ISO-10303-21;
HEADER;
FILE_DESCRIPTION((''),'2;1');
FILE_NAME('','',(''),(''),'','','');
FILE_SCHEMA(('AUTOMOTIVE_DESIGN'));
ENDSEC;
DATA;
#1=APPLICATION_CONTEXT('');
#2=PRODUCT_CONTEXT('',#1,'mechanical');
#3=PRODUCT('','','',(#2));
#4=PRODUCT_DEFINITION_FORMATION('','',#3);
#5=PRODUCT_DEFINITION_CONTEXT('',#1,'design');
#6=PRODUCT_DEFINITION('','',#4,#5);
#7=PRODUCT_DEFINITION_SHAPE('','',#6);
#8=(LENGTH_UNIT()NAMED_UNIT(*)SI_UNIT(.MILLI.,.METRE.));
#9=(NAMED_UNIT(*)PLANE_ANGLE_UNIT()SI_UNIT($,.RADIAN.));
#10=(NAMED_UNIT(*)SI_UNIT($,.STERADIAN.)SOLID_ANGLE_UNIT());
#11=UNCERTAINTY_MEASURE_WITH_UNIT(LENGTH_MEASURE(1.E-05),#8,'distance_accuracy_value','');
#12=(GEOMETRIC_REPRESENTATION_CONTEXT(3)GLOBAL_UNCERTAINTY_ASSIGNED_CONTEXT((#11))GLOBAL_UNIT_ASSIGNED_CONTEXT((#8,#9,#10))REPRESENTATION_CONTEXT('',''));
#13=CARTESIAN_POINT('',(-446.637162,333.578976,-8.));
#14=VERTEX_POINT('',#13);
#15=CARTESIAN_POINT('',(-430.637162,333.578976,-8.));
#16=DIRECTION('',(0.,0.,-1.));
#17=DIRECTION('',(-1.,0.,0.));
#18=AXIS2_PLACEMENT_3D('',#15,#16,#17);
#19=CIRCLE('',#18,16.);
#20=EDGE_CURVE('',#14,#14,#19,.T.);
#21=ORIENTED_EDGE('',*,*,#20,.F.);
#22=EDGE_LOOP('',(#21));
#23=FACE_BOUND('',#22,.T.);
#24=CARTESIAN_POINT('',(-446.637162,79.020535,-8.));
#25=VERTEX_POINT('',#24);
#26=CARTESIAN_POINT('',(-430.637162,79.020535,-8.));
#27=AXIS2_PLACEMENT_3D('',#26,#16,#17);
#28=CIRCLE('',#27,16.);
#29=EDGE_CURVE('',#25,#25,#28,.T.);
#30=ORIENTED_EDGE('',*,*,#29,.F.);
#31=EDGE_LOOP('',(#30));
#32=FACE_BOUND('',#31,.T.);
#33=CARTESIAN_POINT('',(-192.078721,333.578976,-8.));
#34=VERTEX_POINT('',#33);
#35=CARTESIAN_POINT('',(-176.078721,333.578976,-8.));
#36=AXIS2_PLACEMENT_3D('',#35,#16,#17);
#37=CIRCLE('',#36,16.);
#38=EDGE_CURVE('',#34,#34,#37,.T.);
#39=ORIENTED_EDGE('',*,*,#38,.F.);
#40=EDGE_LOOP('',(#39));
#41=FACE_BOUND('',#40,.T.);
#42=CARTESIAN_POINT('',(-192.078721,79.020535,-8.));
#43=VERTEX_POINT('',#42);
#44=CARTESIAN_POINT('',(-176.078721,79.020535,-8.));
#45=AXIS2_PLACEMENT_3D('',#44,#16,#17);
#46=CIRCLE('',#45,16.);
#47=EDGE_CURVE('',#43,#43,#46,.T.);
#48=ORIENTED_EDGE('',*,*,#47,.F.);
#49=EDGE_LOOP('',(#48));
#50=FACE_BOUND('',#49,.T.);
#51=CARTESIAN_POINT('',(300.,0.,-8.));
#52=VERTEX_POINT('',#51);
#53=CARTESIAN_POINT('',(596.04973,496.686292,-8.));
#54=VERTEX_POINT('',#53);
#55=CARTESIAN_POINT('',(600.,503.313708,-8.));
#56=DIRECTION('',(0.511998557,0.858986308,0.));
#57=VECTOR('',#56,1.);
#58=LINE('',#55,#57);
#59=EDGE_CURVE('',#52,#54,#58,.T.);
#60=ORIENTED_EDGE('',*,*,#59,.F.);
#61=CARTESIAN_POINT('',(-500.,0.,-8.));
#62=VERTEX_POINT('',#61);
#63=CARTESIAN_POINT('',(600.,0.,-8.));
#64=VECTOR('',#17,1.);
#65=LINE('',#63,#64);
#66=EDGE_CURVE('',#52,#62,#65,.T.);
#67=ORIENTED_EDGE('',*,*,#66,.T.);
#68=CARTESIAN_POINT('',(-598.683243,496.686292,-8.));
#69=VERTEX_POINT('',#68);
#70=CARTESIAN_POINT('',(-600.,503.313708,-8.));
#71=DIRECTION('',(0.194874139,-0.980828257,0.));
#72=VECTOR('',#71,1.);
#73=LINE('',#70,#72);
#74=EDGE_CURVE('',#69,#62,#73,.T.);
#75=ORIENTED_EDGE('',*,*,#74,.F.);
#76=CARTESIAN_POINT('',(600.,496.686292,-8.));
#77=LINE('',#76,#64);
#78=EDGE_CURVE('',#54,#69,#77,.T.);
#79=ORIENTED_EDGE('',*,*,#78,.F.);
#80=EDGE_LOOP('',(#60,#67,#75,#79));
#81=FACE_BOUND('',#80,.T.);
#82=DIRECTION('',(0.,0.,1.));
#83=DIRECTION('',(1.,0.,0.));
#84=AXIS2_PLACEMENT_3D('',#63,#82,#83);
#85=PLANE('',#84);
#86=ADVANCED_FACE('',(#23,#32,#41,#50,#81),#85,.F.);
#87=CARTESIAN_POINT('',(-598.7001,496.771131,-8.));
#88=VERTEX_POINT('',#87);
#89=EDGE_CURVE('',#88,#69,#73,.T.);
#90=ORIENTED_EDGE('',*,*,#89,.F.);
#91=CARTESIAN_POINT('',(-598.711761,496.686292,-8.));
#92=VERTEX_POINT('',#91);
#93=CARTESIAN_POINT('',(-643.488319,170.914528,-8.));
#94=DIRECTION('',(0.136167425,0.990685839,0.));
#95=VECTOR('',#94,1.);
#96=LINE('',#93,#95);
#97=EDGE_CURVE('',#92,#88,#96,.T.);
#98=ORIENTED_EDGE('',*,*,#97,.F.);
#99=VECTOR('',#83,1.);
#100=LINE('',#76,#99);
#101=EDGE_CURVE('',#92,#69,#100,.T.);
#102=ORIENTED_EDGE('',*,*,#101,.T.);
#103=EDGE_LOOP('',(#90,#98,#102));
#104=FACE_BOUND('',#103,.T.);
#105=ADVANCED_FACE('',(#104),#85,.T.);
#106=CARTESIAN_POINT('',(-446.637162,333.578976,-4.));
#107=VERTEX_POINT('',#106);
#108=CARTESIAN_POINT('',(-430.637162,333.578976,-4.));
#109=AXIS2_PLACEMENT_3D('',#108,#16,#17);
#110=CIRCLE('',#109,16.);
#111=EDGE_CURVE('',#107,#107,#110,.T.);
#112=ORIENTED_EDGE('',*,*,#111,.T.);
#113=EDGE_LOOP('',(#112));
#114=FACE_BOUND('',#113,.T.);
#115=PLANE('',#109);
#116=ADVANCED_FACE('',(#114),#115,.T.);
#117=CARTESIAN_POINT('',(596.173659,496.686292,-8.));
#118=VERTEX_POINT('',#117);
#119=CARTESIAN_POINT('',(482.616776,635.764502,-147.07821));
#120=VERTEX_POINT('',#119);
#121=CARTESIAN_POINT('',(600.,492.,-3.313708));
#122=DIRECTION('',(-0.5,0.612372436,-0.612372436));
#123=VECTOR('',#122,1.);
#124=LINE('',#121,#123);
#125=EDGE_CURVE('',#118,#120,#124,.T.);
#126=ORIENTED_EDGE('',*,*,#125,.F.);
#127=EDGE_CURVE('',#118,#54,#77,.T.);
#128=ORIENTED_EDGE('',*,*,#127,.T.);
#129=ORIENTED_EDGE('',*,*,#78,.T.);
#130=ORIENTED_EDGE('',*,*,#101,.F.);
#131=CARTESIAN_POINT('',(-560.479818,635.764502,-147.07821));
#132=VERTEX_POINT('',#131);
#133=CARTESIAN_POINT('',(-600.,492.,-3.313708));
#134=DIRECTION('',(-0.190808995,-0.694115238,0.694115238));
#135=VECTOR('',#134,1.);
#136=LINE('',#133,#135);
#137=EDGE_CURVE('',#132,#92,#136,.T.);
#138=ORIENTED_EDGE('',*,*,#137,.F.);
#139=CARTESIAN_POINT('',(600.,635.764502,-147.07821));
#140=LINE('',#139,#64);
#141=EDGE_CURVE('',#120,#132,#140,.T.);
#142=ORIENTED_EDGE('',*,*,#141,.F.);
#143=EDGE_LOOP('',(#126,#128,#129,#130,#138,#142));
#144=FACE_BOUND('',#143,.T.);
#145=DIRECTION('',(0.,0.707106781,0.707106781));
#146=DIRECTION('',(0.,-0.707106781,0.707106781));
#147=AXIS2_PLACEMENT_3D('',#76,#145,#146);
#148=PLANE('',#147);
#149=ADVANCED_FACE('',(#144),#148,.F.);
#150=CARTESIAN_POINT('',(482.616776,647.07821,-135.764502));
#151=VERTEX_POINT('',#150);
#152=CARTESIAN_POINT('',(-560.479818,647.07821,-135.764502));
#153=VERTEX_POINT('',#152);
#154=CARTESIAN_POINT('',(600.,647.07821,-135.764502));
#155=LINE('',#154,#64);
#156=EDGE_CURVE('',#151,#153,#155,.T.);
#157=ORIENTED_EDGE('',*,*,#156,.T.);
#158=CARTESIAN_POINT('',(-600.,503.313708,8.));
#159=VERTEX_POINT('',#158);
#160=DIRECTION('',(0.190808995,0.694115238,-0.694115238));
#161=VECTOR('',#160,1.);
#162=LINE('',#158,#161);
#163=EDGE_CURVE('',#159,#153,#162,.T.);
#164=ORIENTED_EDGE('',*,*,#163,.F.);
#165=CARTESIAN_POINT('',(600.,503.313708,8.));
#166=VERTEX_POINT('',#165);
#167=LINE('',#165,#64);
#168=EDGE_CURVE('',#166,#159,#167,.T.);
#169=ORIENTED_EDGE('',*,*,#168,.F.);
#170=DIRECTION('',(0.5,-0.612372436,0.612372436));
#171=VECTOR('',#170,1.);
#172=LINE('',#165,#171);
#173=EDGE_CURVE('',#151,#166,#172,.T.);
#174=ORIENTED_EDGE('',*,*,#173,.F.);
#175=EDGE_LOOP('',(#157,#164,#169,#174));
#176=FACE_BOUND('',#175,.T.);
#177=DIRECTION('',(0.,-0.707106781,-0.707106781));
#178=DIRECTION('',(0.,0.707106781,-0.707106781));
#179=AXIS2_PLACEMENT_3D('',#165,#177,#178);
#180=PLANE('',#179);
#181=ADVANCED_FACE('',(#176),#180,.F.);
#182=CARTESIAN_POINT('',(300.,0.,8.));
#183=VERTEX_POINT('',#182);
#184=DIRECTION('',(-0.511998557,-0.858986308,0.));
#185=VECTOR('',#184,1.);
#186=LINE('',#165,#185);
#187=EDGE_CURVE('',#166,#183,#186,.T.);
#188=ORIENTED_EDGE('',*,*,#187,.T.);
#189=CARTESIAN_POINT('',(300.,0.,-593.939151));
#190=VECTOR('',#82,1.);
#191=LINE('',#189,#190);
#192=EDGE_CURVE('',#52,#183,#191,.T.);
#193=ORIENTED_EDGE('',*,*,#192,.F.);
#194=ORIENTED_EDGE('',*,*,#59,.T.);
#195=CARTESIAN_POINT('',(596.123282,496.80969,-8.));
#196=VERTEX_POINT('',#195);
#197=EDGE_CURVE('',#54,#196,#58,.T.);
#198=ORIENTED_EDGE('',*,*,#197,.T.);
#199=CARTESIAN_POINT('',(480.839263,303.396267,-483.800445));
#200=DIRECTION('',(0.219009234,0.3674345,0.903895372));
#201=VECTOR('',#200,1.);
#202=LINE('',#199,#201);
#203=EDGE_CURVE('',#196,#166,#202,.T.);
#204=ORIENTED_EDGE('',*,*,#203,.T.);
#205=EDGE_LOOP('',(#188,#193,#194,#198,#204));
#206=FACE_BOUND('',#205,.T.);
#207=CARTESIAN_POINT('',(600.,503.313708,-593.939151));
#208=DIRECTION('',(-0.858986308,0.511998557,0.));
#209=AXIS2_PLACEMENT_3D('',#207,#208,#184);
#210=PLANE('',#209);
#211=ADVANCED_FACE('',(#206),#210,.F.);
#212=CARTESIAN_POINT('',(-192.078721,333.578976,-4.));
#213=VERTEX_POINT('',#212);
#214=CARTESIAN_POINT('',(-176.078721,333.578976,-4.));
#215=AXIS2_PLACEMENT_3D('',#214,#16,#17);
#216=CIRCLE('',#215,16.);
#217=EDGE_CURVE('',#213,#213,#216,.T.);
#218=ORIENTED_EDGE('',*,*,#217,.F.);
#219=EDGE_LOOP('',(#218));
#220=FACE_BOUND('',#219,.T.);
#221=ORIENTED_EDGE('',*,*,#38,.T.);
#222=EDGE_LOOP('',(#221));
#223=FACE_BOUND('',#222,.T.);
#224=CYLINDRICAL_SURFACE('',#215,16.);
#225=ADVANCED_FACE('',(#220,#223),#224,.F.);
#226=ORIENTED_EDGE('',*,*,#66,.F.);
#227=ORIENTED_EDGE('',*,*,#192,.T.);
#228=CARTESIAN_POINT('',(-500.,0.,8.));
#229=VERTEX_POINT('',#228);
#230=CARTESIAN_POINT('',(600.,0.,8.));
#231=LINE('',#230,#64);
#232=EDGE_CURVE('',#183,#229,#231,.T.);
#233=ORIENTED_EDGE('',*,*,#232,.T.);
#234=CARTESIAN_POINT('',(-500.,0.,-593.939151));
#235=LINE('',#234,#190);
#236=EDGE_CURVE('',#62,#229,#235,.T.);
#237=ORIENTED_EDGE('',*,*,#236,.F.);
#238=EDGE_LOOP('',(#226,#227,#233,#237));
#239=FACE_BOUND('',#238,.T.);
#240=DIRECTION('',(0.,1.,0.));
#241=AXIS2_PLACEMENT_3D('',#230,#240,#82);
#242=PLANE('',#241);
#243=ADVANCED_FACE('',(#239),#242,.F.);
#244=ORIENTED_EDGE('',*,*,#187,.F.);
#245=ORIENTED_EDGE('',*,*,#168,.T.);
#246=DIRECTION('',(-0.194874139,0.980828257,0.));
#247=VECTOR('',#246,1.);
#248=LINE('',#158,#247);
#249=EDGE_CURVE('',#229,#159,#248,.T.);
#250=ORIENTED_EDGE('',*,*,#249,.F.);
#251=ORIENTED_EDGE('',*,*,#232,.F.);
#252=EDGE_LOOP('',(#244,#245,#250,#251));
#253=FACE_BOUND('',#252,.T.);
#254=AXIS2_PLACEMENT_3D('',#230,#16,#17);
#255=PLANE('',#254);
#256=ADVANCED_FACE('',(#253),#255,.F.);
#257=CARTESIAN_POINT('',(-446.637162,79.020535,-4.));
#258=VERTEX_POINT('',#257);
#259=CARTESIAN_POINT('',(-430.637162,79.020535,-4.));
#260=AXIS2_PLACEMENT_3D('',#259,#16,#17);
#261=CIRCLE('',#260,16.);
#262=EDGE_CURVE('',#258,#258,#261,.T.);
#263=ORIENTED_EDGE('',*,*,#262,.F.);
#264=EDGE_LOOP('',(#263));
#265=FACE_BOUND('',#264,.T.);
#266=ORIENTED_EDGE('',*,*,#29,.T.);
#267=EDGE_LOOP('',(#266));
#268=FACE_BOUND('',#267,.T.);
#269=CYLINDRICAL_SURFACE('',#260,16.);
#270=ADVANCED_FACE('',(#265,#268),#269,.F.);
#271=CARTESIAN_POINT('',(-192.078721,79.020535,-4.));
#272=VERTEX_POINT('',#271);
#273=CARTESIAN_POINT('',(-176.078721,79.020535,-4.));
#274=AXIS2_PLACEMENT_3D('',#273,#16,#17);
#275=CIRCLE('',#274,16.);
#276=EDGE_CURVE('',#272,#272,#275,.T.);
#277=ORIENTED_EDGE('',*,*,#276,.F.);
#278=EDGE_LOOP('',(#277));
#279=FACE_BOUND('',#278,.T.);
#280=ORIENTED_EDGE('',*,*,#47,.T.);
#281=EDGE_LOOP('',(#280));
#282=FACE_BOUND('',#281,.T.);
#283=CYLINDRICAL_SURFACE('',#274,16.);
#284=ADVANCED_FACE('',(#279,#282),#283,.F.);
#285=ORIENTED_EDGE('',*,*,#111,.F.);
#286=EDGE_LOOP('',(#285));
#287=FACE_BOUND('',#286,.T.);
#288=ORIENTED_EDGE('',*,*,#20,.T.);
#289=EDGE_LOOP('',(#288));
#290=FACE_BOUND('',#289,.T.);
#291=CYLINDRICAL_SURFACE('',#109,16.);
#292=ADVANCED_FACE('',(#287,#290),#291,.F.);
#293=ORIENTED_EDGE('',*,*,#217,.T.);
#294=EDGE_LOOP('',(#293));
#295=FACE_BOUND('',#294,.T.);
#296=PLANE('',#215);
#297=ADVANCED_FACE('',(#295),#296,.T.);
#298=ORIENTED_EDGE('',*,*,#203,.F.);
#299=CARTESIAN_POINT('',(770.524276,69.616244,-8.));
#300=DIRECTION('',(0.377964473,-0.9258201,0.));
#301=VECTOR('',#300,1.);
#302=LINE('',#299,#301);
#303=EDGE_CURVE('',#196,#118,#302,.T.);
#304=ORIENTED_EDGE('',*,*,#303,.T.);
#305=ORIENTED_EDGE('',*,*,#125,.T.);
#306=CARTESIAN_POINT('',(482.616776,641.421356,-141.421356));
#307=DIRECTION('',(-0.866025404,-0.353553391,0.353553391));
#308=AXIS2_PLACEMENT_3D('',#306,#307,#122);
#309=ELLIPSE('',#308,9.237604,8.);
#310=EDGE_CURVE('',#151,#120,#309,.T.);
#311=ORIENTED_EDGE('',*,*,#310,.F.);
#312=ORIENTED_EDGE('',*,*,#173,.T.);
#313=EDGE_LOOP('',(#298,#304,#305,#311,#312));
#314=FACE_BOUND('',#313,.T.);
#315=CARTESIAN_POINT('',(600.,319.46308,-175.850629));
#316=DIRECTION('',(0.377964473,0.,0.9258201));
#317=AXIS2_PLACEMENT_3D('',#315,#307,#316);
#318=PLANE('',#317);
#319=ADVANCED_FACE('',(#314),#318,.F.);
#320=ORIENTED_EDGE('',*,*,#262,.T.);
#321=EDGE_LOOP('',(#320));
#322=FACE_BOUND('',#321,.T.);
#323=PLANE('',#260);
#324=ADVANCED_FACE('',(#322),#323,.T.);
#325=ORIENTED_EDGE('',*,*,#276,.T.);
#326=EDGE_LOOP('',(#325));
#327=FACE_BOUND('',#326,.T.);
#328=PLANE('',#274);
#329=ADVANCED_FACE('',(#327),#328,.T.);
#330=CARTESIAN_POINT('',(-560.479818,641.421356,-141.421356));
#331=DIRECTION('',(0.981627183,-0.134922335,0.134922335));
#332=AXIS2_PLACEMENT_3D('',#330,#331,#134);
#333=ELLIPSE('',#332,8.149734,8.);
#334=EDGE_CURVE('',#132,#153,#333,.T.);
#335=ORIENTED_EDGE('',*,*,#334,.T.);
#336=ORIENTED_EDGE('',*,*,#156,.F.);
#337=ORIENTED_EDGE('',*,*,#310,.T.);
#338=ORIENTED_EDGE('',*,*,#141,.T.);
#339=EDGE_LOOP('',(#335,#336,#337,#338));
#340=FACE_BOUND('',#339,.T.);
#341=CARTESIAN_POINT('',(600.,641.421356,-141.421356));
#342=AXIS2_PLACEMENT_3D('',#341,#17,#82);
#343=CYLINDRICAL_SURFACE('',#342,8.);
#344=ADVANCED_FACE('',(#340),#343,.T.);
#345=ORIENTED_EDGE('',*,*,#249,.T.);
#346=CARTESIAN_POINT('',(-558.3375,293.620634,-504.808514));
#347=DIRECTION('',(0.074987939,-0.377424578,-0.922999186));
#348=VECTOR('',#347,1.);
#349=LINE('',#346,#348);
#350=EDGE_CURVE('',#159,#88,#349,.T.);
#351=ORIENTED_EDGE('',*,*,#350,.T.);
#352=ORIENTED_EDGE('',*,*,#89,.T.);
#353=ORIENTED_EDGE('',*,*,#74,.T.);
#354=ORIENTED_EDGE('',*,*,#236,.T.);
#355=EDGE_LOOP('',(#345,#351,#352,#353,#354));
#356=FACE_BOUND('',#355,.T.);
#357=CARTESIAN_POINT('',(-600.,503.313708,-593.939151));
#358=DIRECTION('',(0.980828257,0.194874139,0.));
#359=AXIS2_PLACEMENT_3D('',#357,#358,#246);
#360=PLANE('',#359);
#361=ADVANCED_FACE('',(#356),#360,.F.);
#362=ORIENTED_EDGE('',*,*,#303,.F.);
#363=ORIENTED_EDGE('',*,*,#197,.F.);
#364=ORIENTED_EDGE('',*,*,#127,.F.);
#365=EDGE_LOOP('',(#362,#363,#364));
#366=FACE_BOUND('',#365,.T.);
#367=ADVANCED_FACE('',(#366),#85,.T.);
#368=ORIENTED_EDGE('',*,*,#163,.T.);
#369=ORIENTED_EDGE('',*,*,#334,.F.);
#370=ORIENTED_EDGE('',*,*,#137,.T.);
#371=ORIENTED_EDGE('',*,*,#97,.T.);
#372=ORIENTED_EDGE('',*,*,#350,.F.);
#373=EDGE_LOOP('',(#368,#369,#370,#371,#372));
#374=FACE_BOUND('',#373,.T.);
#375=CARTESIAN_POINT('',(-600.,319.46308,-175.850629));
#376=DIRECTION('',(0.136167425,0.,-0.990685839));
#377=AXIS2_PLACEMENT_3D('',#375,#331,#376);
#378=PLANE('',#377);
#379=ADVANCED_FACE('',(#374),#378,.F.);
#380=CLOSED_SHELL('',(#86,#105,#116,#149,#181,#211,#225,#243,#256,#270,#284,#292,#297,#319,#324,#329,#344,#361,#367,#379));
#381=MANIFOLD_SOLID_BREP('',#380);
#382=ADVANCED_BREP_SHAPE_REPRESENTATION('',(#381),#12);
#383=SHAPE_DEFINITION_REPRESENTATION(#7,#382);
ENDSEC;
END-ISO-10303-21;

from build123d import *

# Parameters (mm, degrees)
BOSS_EXTRUDE1_DEPTH = 600
CUT_EXTRUDE2_DEPTH  = 16
CUT_EXTRUDE3_REACH  = 826.099
SKETCH5_R           = 16
CUT_EXTRUDE4_DEPTH  = 4


with BuildPart() as part:
    # Sketch1 → Boss-Extrude1 (new, symmetric)
    with BuildSketch(Plane(origin=(0, 0, 0), x_dir=(0, 0, -1), z_dir=(1, 0, 0))):
        with BuildLine():
            Line((8, 0), (8, 496.686291501))
            Line((8, 496.686291501), (147.078210487, 635.764501988))
            ThreePointArc((147.078210487, 635.764501988), (147.078210487, 647.078210487), (135.764501988, 647.078210487))
            Line((135.764501988, 647.078210487), (-8, 503.313708499))
            Line((-8, 503.313708499), (-8, 0))
            Line((-8, 0), (8, 0))
        make_face()
    extrude(amount=BOSS_EXTRUDE1_DEPTH, both=True)

    # Sketch2 → Cut-Extrude2 (cut)
    with BuildSketch(Plane.XY.offset(8)):
        Polygon((-600, 503.313708499), (-500, 0), (-600, 0), align=None)
        Polygon((600, 503.313708499), (300, 0), (600, 0), align=None)
    extrude(amount=-CUT_EXTRUDE2_DEPTH, mode=Mode.SUBTRACT)

    # Cut-Extrude3: up to this face of the body (flat: up to its plane)
    cut_extrude3_end = Plane(part.part.faces().sort_by_distance((0, 566.225396744, -77.539105243))[0])
    # Sketch3 → Cut-Extrude3 (cut, up to the picked face)
    with BuildSketch(Plane(origin=(0, 255.656854249, 255.656854249), x_dir=(1, 0, 0), z_dir=(0, 0.7071067811865477, 0.7071067811865475)), mode=Mode.PRIVATE) as cut_extrude3_sk1:
        Polygon((600, 350.239682094), (477.997973515, 561.553390593), (600, 561.553390593), align=None)
    cut_extrude3_tool1 = split(extrude(cut_extrude3_sk1.sketch, amount=-CUT_EXTRUDE3_REACH, mode=Mode.PRIVATE), bisect_by=cut_extrude3_end, keep=Keep.BOTH, mode=Mode.PRIVATE)
    # Sketch3 → Cut-Extrude3 (cut, up to the picked face)
    with BuildSketch(Plane(origin=(0, 255.656854249, 255.656854249), x_dir=(1, 0, 0), z_dir=(0, 0.7071067811865477, 0.7071067811865475)), mode=Mode.PRIVATE) as cut_extrude3_sk2:
        Polygon((-600, 350.239682094), (-558.924776017, 561.553390593), (-600, 561.553390593), align=None)
    cut_extrude3_tool2 = split(extrude(cut_extrude3_sk2.sketch, amount=-CUT_EXTRUDE3_REACH, mode=Mode.PRIVATE), bisect_by=cut_extrude3_end, keep=Keep.BOTH, mode=Mode.PRIVATE)
    add(cut_extrude3_tool1.solids().sort_by(Axis((559.332658, 602.927946, -91.614237), (0, -0.7071067811865477, -0.7071067811865475)))[0], mode=Mode.SUBTRACT)
    add(cut_extrude3_tool2.solids().sort_by(Axis((-586.308259, 602.927946, -91.614237), (0, -0.7071067811865477, -0.7071067811865475)))[0], mode=Mode.SUBTRACT)

    # Sketch5 → Cut-Extrude4 (cut)
    with BuildSketch(Plane(origin=(0, 0, -8), x_dir=(-1, 0, 0), z_dir=(0, 0, -1))):
        with Locations((430.63716206, 333.578975831)):
            Circle(SKETCH5_R)
        with Locations((176.078720833, 333.578975831)):
            Circle(SKETCH5_R)
        with Locations((176.078720833, 79.020534604)):
            Circle(SKETCH5_R)
        with Locations((430.63716206, 79.020534604)):
            Circle(SKETCH5_R)
    extrude(amount=-CUT_EXTRUDE4_DEPTH, mode=Mode.SUBTRACT)


solid = part.part
